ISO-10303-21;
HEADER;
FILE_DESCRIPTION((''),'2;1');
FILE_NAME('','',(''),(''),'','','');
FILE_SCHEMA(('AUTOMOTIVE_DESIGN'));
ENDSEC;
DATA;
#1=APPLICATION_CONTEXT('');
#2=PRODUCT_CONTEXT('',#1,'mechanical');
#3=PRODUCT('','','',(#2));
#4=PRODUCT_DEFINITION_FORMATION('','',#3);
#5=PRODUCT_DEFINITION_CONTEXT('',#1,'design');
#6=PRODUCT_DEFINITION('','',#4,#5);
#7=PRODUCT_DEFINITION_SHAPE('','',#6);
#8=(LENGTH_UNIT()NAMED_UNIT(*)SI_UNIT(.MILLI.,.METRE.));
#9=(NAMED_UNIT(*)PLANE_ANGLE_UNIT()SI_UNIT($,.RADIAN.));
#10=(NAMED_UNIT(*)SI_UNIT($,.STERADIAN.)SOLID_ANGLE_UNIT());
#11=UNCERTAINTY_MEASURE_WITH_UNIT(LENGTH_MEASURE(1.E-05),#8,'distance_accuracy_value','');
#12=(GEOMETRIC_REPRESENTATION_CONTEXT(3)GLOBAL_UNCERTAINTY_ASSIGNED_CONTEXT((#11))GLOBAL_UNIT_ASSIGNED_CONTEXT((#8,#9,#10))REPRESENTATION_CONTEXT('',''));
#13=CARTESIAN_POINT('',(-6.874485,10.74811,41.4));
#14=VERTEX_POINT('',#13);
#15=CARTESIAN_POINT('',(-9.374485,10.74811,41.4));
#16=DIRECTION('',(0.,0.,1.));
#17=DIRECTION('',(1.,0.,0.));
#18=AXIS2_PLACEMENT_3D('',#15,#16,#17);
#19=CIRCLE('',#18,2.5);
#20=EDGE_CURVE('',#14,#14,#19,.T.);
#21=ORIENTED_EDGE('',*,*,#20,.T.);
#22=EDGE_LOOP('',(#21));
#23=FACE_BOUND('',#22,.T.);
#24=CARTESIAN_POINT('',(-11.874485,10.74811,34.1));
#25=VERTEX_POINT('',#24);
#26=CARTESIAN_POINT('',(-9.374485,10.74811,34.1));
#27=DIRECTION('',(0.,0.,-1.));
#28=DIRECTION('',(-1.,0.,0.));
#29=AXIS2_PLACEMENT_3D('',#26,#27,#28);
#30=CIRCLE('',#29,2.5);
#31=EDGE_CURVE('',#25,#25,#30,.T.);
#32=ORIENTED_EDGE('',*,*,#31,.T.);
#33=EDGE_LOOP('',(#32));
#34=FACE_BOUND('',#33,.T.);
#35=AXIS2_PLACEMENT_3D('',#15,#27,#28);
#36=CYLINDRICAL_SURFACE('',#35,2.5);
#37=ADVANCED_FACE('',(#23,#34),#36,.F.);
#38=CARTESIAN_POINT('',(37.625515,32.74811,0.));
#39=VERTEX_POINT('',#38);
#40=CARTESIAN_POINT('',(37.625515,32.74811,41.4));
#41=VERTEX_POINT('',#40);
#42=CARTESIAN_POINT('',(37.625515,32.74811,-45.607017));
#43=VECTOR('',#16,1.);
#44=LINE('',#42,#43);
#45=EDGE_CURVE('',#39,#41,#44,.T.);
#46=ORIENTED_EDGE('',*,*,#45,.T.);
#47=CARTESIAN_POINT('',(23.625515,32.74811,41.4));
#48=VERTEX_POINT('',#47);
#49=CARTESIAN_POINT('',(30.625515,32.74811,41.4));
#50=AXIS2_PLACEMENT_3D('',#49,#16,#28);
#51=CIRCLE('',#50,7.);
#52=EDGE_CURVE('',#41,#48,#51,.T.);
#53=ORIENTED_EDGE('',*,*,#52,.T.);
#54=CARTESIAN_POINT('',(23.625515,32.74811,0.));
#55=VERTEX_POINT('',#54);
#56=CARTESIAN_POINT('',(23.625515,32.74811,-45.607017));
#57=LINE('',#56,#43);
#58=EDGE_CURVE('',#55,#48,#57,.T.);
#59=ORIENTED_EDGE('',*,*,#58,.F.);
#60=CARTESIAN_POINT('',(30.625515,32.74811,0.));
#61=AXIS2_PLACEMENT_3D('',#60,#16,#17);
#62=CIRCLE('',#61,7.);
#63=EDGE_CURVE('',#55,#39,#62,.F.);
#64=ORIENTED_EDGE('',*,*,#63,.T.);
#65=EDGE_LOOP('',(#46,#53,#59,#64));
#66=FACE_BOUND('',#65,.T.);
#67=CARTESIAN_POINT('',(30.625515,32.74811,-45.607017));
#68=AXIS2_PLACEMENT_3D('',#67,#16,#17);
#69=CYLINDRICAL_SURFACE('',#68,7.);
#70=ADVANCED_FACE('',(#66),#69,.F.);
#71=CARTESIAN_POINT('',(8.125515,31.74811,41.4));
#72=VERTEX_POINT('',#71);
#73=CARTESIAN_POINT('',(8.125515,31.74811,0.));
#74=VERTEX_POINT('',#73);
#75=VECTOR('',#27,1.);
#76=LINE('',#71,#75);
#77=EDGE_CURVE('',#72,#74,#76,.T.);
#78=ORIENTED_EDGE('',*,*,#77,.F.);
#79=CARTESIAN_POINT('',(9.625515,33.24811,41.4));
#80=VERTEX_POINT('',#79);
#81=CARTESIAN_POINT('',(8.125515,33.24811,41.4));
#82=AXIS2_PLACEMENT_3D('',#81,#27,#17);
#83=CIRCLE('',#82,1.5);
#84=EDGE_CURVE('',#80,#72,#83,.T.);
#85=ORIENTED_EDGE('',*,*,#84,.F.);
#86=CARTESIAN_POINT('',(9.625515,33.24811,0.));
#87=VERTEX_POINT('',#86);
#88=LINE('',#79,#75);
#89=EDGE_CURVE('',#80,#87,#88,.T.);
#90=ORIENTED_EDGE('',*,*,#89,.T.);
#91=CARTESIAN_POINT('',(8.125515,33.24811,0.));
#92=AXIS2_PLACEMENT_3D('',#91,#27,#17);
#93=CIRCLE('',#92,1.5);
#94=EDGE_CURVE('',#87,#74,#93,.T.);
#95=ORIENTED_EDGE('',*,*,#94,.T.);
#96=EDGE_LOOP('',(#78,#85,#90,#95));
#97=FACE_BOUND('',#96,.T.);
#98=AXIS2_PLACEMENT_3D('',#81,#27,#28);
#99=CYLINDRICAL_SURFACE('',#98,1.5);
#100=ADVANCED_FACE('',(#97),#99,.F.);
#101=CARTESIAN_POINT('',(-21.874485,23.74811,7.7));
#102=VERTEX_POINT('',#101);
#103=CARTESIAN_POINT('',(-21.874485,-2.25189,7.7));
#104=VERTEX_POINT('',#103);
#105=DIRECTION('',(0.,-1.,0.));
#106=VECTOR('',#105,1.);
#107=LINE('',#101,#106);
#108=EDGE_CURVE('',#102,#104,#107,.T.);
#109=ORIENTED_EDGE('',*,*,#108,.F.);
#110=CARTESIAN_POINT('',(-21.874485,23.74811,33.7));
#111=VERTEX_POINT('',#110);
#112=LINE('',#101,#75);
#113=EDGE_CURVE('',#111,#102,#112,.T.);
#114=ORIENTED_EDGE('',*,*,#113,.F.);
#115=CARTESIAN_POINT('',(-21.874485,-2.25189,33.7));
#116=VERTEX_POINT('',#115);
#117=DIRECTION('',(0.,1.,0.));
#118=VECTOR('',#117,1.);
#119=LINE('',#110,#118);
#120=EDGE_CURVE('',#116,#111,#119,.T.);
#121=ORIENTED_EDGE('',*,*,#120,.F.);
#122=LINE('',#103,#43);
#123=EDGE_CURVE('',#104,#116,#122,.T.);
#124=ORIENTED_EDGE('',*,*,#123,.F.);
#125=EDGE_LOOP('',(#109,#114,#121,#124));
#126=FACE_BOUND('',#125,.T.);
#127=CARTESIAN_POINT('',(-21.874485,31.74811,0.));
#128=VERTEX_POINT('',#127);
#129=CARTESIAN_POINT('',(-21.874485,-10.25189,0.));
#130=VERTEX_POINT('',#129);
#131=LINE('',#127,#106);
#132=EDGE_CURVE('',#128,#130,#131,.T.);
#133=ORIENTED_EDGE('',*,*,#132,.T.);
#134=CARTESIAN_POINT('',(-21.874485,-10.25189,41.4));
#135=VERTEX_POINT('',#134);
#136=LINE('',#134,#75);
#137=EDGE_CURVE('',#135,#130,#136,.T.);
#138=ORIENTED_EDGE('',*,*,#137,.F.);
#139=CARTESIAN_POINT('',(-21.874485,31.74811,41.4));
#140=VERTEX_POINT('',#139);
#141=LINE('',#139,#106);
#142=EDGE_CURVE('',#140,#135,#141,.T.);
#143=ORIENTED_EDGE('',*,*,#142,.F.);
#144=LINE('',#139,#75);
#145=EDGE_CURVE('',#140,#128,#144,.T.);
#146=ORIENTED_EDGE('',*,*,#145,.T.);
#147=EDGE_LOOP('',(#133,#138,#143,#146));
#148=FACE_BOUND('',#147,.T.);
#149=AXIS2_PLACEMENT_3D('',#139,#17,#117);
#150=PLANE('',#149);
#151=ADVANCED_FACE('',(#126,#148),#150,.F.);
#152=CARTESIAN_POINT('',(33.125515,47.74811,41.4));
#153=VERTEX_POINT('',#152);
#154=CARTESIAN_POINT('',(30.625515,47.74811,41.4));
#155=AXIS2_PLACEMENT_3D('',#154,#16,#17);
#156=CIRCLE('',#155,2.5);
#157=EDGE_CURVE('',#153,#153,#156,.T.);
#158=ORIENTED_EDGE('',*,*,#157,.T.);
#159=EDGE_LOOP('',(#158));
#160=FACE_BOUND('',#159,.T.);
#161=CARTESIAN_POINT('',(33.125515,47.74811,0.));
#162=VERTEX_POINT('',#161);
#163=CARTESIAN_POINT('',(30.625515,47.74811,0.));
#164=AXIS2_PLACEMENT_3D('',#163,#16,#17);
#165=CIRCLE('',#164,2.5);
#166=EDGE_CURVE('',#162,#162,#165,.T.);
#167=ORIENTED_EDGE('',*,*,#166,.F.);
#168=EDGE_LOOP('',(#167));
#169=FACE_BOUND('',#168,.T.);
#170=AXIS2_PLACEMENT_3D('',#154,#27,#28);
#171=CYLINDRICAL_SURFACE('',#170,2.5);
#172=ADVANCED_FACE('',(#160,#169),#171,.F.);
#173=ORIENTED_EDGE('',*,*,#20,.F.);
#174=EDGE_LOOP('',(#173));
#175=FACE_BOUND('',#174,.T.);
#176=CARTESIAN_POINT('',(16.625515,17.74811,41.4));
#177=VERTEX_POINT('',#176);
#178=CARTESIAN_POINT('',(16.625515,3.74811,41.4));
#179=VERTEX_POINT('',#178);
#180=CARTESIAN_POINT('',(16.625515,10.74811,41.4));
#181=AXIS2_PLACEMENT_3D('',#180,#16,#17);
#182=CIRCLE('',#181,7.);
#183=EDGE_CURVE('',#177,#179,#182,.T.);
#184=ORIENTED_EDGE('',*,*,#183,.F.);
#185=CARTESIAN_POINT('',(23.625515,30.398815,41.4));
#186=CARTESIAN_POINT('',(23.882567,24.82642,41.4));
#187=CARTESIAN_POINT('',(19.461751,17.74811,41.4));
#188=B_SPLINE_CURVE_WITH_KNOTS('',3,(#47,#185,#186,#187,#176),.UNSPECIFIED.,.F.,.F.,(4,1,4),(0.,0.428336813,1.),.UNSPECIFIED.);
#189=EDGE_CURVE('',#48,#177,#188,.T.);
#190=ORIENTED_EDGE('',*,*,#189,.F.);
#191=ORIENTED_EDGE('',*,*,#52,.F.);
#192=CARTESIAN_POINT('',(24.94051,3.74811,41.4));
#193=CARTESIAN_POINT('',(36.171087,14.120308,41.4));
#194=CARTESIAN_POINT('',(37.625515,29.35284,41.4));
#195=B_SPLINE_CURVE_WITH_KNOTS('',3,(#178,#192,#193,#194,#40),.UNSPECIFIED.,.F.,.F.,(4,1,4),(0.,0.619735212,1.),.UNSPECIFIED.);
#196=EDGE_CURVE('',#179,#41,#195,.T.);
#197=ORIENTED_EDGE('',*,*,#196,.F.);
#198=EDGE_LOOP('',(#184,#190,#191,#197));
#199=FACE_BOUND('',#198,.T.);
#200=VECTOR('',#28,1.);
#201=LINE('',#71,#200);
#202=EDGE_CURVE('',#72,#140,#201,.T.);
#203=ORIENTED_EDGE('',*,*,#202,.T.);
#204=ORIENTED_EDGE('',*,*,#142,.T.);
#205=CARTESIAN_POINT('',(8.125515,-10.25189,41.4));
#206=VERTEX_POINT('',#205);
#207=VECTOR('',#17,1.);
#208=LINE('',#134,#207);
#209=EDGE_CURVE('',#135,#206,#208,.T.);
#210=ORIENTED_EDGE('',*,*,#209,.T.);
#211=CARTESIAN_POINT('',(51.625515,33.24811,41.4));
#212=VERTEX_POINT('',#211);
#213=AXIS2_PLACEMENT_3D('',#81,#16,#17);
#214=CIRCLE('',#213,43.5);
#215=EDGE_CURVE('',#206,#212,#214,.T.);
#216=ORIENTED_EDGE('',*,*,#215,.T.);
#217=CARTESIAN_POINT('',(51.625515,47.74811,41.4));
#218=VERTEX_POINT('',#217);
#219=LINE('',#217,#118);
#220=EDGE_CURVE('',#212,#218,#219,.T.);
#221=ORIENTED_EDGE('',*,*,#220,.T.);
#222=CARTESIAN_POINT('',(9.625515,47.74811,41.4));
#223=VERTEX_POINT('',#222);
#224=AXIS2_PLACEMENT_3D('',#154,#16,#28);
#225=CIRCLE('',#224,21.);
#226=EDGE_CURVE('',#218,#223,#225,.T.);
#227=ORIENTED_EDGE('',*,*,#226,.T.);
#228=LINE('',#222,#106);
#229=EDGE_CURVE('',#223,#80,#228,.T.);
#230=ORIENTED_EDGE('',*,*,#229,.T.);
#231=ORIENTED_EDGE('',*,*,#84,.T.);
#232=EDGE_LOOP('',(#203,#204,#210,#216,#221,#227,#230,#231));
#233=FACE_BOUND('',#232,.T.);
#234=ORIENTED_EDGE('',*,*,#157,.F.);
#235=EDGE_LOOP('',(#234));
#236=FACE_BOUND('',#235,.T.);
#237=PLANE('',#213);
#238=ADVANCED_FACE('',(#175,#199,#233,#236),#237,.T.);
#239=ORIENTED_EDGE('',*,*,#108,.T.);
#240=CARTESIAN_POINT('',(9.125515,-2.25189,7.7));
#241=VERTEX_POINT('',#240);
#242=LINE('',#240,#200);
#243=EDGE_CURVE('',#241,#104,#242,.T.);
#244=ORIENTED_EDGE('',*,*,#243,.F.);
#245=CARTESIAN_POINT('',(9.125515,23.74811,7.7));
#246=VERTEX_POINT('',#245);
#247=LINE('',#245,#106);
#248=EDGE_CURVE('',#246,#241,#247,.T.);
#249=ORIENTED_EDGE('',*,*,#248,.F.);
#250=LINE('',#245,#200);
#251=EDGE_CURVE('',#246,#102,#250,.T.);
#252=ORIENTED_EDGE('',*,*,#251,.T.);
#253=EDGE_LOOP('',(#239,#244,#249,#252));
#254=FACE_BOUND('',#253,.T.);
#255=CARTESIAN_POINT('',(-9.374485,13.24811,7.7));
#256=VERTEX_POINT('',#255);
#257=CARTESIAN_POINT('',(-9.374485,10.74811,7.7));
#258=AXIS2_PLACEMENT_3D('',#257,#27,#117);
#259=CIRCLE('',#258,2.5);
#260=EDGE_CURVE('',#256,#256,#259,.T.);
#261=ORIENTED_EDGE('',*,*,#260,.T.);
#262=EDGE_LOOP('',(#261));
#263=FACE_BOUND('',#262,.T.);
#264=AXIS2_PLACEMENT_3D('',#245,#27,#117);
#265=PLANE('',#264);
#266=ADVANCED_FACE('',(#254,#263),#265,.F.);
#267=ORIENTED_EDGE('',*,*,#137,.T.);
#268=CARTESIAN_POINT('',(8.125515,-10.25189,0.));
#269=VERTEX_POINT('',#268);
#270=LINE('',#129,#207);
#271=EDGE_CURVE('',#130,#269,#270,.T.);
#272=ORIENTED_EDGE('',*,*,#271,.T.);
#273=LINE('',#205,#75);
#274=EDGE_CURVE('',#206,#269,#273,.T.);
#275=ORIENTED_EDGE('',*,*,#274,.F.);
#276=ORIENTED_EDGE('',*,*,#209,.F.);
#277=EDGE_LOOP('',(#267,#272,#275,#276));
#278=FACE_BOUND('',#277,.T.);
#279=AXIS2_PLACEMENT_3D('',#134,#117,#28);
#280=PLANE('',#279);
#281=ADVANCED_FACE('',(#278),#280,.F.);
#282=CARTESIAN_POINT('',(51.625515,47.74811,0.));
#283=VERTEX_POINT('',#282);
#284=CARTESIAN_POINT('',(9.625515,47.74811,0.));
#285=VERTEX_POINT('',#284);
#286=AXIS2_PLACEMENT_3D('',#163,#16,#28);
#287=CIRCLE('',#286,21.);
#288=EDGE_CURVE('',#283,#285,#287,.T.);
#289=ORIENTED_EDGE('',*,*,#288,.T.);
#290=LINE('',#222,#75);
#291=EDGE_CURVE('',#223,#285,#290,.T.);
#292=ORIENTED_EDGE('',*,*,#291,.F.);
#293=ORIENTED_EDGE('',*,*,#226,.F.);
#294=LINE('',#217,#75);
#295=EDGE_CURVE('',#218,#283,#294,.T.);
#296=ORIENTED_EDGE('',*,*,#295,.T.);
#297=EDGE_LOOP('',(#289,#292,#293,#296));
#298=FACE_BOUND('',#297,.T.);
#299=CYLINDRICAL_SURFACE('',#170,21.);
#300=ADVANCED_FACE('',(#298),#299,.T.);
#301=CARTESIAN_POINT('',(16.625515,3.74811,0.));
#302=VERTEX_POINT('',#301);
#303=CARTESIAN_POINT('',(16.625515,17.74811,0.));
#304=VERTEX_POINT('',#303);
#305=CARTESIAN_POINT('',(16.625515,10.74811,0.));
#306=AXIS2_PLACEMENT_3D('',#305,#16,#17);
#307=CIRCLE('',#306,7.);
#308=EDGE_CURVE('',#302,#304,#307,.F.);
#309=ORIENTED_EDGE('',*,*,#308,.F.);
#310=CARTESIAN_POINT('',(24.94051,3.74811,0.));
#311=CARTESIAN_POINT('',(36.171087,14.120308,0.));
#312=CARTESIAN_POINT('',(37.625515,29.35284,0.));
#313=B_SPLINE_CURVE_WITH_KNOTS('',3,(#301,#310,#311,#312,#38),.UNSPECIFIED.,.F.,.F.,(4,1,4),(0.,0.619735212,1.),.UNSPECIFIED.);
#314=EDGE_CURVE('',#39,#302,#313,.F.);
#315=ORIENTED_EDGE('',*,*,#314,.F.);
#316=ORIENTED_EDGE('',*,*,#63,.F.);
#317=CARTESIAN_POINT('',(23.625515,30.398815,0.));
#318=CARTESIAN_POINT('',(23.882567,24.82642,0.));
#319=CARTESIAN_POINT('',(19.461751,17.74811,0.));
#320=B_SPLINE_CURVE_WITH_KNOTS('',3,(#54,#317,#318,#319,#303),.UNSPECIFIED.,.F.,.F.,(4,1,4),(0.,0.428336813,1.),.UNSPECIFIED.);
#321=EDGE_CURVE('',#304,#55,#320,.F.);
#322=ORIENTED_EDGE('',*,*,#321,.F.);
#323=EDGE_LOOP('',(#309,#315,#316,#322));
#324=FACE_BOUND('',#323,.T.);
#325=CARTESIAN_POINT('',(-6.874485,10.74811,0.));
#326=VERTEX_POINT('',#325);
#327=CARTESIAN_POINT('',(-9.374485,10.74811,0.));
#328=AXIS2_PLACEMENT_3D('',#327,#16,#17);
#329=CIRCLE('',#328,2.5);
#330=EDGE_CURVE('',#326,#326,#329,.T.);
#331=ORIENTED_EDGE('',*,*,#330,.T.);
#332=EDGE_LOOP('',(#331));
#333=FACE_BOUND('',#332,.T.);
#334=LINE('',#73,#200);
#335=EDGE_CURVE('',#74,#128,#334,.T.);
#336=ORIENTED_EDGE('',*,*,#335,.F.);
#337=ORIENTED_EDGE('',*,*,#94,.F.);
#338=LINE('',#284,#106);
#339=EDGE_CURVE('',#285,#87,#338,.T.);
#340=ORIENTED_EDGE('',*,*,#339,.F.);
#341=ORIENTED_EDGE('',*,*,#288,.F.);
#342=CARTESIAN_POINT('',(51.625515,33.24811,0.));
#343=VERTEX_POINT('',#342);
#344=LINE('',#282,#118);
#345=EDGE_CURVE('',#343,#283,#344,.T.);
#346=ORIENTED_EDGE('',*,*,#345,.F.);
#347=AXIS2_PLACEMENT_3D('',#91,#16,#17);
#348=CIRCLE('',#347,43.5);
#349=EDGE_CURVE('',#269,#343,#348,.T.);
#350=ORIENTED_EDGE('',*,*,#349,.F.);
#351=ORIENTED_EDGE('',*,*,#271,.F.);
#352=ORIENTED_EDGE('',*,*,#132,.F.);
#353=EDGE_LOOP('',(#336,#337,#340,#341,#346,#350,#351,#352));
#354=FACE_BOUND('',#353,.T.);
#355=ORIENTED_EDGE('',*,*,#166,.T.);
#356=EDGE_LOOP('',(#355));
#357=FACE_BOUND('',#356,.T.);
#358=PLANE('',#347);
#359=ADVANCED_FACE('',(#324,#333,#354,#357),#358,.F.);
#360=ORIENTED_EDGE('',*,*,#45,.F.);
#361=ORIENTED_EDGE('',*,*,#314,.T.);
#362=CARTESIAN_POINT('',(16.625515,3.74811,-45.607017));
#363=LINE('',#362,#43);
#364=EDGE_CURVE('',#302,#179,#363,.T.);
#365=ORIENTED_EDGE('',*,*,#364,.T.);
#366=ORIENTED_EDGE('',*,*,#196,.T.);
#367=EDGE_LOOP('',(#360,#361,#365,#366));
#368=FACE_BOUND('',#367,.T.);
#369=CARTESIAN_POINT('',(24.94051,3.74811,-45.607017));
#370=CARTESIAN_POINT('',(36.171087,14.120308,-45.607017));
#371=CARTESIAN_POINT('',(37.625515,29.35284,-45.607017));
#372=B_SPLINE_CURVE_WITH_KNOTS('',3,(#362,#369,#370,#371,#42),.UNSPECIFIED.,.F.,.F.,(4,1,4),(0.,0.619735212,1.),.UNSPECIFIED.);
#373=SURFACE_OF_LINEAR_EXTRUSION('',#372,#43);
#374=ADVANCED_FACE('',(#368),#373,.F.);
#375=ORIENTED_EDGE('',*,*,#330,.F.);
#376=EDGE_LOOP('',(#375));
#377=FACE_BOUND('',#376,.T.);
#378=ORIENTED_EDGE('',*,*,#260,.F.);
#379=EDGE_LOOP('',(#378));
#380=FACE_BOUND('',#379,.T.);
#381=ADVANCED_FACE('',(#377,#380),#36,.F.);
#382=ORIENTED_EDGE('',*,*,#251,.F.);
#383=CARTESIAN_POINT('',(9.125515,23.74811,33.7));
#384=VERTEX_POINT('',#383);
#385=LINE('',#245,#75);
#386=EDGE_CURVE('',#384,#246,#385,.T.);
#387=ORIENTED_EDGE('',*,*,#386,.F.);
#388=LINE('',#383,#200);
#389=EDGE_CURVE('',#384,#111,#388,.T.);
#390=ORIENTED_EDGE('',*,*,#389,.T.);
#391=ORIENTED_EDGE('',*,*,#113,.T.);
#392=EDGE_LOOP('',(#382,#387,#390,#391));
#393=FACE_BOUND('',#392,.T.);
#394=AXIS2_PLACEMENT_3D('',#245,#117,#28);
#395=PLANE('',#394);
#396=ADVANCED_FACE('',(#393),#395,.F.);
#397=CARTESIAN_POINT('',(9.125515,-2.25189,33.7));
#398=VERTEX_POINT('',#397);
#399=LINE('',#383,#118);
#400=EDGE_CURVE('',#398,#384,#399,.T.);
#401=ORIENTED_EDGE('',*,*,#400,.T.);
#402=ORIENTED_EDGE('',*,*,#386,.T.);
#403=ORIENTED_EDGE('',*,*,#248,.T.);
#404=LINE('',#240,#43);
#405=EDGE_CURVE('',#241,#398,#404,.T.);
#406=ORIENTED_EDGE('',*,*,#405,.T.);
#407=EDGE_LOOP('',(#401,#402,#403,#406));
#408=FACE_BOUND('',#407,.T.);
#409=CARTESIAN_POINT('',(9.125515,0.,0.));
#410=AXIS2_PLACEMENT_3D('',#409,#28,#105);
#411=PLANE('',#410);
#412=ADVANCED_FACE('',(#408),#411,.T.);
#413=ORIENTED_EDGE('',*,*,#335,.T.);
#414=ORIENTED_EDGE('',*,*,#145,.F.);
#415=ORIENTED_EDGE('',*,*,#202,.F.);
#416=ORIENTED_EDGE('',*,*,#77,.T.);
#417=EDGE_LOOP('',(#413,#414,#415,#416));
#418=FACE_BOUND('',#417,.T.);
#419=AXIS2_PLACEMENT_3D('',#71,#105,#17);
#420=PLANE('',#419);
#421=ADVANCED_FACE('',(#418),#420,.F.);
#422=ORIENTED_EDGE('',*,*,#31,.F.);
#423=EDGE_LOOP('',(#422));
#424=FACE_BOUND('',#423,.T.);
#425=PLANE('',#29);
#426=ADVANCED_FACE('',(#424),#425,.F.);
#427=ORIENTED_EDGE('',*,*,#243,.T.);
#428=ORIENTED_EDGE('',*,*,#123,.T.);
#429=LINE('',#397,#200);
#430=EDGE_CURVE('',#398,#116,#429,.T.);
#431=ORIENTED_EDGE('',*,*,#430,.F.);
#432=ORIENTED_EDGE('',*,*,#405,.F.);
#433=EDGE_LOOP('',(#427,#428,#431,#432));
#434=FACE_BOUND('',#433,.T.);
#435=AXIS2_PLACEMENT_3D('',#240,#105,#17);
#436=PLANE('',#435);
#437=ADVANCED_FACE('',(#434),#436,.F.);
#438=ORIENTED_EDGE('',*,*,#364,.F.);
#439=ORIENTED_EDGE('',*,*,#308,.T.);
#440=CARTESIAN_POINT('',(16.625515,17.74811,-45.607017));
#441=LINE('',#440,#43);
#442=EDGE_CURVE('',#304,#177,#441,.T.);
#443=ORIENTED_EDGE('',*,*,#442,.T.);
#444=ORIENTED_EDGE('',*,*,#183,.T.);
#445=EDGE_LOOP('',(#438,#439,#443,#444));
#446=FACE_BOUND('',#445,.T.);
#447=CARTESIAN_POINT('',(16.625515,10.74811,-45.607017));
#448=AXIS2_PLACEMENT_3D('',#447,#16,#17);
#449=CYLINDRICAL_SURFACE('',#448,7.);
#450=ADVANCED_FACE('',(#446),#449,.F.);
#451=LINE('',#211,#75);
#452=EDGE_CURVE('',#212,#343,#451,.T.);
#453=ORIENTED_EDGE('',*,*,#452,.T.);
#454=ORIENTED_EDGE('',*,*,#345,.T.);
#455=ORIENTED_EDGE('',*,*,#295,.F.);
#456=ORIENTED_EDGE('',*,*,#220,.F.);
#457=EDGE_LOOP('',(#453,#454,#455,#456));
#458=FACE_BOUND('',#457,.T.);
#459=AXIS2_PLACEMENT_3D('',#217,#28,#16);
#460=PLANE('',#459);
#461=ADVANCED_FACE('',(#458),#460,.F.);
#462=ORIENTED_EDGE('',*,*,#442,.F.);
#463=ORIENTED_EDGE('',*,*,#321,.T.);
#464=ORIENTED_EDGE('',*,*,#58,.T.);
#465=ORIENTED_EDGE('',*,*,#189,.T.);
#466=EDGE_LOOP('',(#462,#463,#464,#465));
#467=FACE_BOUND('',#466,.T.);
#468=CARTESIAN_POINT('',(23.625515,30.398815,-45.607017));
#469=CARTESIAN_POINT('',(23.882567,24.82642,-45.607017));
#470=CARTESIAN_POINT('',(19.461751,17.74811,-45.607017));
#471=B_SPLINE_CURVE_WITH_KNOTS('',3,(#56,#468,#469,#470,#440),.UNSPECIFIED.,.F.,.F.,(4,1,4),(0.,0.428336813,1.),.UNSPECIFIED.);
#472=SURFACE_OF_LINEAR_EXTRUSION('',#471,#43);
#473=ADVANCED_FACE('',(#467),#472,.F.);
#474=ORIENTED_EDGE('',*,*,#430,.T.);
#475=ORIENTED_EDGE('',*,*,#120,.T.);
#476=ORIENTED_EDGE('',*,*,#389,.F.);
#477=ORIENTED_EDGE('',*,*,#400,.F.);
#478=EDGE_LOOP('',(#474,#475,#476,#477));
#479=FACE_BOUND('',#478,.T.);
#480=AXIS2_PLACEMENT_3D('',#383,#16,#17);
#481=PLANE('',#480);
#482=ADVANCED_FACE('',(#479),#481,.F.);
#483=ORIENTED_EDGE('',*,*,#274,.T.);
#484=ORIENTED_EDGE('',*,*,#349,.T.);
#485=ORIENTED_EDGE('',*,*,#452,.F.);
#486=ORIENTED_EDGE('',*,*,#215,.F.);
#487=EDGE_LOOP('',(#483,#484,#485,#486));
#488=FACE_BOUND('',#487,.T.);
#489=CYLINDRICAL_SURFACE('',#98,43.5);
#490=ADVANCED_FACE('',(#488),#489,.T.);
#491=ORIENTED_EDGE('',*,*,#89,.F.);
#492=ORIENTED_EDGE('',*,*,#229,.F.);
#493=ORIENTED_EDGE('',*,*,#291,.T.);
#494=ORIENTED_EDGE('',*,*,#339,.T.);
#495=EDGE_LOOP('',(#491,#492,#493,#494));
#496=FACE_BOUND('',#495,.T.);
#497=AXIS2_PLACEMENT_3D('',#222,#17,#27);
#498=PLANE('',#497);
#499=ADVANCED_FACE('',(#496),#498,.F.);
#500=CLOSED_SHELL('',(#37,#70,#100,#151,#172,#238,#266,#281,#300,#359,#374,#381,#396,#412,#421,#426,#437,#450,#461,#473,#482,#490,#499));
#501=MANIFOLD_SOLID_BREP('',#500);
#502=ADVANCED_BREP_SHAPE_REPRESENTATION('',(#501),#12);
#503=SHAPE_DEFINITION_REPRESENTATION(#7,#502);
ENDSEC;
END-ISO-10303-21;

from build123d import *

# Parameters (mm, degrees)
SKETCH1_R           = 2.5
BOSS_EXTRUDE1_DEPTH = 41.4
SKETCH2_W           = 26
SKETCH2_H           = 26
CUT_EXTRUDE1_DEPTH  = 31
CUT_EXTRUDE4_DEPTH  = 41.4
SKETCH4_R           = 2.5
BOSS_EXTRUDE2_DEPTH = 0.4


with BuildPart() as part:
    # Sketch1 → Boss-Extrude1 (new body)
    with BuildSketch(Plane.XY):
        with BuildLine():
            Line((8.125515238, 31.748109782), (-21.874484762, 31.748109782))
            Line((-21.874484762, 31.748109782), (-21.874484762, -10.251890218))
            Line((-21.874484762, -10.251890218), (8.125515238, -10.251890218))
            ThreePointArc((8.125515238, -10.251890218), (38.88466022, 2.488964801), (51.625515238, 33.248109782))
            Line((51.625515238, 33.248109782), (51.625515238, 47.748109782))
            ThreePointArc((51.625515238, 47.748109782), (30.625515238, 68.748109782), (9.625515238, 47.748109782))
            Line((9.625515238, 47.748109782), (9.625515238, 33.248109782))
            ThreePointArc((9.625515238, 33.248109782), (9.18617541, 32.18744961), (8.125515238, 31.748109782))
        make_face()
        with Locations((-9.374484762, 10.748109782)):
            Circle(SKETCH1_R, mode=Mode.SUBTRACT)
        with Locations((30.625515238, 47.748109782)):
            Circle(SKETCH1_R, mode=Mode.SUBTRACT)
    extrude(amount=BOSS_EXTRUDE1_DEPTH)

    # Sketch2 → Cut-Extrude1 (cut)
    with BuildSketch(Plane.ZY.offset(21.874484762)):
        with Locations((20.7, 10.748109782)):
            Rectangle(SKETCH2_W, SKETCH2_H)
    extrude(amount=-CUT_EXTRUDE1_DEPTH, mode=Mode.SUBTRACT)

    # Sketch3 → Cut-Extrude4 (cut)
    with BuildSketch(Plane.XY.offset(41.4)):
        with BuildLine():
            ThreePointArc((23.625515238, 32.748109782), (30.625515238, 39.748109782), (37.625515238, 32.748109782))
            add(Edge.make_bspline(
                [(16.625515238, 3.748109782), (24.940509595, 3.748109782), (36.171087452, 14.120308293), (37.625515238, 29.35283955), (37.625515238, 32.748109782)],
                knots=[0, 0, 0, 0, 0.619735212, 1, 1, 1, 1], degree=3))
            ThreePointArc((16.625515238, 3.748109782), (9.625515238, 10.748109782), (16.625515238, 17.748109782))
            add(Edge.make_bspline(
                [(16.625515238, 17.748109782), (19.461751307, 17.748109782), (23.882566791, 24.826419712), (23.625515238, 30.398814735), (23.625515238, 32.748109782)],
                knots=[0, 0, 0, 0, 0.571663187, 1, 1, 1, 1], degree=3))
        make_face()
    extrude(amount=-CUT_EXTRUDE4_DEPTH, mode=Mode.SUBTRACT)

    # Sketch4 → Boss-Extrude2 (add)
    with BuildSketch(Plane(origin=(0, 0, 33.7), x_dir=(-1, 0, 0), z_dir=(0, 0, -1))):
        with Locations((9.374484762, 10.748109782)):
            Circle(SKETCH4_R)
    extrude(amount=-BOSS_EXTRUDE2_DEPTH)


solid = part.part
